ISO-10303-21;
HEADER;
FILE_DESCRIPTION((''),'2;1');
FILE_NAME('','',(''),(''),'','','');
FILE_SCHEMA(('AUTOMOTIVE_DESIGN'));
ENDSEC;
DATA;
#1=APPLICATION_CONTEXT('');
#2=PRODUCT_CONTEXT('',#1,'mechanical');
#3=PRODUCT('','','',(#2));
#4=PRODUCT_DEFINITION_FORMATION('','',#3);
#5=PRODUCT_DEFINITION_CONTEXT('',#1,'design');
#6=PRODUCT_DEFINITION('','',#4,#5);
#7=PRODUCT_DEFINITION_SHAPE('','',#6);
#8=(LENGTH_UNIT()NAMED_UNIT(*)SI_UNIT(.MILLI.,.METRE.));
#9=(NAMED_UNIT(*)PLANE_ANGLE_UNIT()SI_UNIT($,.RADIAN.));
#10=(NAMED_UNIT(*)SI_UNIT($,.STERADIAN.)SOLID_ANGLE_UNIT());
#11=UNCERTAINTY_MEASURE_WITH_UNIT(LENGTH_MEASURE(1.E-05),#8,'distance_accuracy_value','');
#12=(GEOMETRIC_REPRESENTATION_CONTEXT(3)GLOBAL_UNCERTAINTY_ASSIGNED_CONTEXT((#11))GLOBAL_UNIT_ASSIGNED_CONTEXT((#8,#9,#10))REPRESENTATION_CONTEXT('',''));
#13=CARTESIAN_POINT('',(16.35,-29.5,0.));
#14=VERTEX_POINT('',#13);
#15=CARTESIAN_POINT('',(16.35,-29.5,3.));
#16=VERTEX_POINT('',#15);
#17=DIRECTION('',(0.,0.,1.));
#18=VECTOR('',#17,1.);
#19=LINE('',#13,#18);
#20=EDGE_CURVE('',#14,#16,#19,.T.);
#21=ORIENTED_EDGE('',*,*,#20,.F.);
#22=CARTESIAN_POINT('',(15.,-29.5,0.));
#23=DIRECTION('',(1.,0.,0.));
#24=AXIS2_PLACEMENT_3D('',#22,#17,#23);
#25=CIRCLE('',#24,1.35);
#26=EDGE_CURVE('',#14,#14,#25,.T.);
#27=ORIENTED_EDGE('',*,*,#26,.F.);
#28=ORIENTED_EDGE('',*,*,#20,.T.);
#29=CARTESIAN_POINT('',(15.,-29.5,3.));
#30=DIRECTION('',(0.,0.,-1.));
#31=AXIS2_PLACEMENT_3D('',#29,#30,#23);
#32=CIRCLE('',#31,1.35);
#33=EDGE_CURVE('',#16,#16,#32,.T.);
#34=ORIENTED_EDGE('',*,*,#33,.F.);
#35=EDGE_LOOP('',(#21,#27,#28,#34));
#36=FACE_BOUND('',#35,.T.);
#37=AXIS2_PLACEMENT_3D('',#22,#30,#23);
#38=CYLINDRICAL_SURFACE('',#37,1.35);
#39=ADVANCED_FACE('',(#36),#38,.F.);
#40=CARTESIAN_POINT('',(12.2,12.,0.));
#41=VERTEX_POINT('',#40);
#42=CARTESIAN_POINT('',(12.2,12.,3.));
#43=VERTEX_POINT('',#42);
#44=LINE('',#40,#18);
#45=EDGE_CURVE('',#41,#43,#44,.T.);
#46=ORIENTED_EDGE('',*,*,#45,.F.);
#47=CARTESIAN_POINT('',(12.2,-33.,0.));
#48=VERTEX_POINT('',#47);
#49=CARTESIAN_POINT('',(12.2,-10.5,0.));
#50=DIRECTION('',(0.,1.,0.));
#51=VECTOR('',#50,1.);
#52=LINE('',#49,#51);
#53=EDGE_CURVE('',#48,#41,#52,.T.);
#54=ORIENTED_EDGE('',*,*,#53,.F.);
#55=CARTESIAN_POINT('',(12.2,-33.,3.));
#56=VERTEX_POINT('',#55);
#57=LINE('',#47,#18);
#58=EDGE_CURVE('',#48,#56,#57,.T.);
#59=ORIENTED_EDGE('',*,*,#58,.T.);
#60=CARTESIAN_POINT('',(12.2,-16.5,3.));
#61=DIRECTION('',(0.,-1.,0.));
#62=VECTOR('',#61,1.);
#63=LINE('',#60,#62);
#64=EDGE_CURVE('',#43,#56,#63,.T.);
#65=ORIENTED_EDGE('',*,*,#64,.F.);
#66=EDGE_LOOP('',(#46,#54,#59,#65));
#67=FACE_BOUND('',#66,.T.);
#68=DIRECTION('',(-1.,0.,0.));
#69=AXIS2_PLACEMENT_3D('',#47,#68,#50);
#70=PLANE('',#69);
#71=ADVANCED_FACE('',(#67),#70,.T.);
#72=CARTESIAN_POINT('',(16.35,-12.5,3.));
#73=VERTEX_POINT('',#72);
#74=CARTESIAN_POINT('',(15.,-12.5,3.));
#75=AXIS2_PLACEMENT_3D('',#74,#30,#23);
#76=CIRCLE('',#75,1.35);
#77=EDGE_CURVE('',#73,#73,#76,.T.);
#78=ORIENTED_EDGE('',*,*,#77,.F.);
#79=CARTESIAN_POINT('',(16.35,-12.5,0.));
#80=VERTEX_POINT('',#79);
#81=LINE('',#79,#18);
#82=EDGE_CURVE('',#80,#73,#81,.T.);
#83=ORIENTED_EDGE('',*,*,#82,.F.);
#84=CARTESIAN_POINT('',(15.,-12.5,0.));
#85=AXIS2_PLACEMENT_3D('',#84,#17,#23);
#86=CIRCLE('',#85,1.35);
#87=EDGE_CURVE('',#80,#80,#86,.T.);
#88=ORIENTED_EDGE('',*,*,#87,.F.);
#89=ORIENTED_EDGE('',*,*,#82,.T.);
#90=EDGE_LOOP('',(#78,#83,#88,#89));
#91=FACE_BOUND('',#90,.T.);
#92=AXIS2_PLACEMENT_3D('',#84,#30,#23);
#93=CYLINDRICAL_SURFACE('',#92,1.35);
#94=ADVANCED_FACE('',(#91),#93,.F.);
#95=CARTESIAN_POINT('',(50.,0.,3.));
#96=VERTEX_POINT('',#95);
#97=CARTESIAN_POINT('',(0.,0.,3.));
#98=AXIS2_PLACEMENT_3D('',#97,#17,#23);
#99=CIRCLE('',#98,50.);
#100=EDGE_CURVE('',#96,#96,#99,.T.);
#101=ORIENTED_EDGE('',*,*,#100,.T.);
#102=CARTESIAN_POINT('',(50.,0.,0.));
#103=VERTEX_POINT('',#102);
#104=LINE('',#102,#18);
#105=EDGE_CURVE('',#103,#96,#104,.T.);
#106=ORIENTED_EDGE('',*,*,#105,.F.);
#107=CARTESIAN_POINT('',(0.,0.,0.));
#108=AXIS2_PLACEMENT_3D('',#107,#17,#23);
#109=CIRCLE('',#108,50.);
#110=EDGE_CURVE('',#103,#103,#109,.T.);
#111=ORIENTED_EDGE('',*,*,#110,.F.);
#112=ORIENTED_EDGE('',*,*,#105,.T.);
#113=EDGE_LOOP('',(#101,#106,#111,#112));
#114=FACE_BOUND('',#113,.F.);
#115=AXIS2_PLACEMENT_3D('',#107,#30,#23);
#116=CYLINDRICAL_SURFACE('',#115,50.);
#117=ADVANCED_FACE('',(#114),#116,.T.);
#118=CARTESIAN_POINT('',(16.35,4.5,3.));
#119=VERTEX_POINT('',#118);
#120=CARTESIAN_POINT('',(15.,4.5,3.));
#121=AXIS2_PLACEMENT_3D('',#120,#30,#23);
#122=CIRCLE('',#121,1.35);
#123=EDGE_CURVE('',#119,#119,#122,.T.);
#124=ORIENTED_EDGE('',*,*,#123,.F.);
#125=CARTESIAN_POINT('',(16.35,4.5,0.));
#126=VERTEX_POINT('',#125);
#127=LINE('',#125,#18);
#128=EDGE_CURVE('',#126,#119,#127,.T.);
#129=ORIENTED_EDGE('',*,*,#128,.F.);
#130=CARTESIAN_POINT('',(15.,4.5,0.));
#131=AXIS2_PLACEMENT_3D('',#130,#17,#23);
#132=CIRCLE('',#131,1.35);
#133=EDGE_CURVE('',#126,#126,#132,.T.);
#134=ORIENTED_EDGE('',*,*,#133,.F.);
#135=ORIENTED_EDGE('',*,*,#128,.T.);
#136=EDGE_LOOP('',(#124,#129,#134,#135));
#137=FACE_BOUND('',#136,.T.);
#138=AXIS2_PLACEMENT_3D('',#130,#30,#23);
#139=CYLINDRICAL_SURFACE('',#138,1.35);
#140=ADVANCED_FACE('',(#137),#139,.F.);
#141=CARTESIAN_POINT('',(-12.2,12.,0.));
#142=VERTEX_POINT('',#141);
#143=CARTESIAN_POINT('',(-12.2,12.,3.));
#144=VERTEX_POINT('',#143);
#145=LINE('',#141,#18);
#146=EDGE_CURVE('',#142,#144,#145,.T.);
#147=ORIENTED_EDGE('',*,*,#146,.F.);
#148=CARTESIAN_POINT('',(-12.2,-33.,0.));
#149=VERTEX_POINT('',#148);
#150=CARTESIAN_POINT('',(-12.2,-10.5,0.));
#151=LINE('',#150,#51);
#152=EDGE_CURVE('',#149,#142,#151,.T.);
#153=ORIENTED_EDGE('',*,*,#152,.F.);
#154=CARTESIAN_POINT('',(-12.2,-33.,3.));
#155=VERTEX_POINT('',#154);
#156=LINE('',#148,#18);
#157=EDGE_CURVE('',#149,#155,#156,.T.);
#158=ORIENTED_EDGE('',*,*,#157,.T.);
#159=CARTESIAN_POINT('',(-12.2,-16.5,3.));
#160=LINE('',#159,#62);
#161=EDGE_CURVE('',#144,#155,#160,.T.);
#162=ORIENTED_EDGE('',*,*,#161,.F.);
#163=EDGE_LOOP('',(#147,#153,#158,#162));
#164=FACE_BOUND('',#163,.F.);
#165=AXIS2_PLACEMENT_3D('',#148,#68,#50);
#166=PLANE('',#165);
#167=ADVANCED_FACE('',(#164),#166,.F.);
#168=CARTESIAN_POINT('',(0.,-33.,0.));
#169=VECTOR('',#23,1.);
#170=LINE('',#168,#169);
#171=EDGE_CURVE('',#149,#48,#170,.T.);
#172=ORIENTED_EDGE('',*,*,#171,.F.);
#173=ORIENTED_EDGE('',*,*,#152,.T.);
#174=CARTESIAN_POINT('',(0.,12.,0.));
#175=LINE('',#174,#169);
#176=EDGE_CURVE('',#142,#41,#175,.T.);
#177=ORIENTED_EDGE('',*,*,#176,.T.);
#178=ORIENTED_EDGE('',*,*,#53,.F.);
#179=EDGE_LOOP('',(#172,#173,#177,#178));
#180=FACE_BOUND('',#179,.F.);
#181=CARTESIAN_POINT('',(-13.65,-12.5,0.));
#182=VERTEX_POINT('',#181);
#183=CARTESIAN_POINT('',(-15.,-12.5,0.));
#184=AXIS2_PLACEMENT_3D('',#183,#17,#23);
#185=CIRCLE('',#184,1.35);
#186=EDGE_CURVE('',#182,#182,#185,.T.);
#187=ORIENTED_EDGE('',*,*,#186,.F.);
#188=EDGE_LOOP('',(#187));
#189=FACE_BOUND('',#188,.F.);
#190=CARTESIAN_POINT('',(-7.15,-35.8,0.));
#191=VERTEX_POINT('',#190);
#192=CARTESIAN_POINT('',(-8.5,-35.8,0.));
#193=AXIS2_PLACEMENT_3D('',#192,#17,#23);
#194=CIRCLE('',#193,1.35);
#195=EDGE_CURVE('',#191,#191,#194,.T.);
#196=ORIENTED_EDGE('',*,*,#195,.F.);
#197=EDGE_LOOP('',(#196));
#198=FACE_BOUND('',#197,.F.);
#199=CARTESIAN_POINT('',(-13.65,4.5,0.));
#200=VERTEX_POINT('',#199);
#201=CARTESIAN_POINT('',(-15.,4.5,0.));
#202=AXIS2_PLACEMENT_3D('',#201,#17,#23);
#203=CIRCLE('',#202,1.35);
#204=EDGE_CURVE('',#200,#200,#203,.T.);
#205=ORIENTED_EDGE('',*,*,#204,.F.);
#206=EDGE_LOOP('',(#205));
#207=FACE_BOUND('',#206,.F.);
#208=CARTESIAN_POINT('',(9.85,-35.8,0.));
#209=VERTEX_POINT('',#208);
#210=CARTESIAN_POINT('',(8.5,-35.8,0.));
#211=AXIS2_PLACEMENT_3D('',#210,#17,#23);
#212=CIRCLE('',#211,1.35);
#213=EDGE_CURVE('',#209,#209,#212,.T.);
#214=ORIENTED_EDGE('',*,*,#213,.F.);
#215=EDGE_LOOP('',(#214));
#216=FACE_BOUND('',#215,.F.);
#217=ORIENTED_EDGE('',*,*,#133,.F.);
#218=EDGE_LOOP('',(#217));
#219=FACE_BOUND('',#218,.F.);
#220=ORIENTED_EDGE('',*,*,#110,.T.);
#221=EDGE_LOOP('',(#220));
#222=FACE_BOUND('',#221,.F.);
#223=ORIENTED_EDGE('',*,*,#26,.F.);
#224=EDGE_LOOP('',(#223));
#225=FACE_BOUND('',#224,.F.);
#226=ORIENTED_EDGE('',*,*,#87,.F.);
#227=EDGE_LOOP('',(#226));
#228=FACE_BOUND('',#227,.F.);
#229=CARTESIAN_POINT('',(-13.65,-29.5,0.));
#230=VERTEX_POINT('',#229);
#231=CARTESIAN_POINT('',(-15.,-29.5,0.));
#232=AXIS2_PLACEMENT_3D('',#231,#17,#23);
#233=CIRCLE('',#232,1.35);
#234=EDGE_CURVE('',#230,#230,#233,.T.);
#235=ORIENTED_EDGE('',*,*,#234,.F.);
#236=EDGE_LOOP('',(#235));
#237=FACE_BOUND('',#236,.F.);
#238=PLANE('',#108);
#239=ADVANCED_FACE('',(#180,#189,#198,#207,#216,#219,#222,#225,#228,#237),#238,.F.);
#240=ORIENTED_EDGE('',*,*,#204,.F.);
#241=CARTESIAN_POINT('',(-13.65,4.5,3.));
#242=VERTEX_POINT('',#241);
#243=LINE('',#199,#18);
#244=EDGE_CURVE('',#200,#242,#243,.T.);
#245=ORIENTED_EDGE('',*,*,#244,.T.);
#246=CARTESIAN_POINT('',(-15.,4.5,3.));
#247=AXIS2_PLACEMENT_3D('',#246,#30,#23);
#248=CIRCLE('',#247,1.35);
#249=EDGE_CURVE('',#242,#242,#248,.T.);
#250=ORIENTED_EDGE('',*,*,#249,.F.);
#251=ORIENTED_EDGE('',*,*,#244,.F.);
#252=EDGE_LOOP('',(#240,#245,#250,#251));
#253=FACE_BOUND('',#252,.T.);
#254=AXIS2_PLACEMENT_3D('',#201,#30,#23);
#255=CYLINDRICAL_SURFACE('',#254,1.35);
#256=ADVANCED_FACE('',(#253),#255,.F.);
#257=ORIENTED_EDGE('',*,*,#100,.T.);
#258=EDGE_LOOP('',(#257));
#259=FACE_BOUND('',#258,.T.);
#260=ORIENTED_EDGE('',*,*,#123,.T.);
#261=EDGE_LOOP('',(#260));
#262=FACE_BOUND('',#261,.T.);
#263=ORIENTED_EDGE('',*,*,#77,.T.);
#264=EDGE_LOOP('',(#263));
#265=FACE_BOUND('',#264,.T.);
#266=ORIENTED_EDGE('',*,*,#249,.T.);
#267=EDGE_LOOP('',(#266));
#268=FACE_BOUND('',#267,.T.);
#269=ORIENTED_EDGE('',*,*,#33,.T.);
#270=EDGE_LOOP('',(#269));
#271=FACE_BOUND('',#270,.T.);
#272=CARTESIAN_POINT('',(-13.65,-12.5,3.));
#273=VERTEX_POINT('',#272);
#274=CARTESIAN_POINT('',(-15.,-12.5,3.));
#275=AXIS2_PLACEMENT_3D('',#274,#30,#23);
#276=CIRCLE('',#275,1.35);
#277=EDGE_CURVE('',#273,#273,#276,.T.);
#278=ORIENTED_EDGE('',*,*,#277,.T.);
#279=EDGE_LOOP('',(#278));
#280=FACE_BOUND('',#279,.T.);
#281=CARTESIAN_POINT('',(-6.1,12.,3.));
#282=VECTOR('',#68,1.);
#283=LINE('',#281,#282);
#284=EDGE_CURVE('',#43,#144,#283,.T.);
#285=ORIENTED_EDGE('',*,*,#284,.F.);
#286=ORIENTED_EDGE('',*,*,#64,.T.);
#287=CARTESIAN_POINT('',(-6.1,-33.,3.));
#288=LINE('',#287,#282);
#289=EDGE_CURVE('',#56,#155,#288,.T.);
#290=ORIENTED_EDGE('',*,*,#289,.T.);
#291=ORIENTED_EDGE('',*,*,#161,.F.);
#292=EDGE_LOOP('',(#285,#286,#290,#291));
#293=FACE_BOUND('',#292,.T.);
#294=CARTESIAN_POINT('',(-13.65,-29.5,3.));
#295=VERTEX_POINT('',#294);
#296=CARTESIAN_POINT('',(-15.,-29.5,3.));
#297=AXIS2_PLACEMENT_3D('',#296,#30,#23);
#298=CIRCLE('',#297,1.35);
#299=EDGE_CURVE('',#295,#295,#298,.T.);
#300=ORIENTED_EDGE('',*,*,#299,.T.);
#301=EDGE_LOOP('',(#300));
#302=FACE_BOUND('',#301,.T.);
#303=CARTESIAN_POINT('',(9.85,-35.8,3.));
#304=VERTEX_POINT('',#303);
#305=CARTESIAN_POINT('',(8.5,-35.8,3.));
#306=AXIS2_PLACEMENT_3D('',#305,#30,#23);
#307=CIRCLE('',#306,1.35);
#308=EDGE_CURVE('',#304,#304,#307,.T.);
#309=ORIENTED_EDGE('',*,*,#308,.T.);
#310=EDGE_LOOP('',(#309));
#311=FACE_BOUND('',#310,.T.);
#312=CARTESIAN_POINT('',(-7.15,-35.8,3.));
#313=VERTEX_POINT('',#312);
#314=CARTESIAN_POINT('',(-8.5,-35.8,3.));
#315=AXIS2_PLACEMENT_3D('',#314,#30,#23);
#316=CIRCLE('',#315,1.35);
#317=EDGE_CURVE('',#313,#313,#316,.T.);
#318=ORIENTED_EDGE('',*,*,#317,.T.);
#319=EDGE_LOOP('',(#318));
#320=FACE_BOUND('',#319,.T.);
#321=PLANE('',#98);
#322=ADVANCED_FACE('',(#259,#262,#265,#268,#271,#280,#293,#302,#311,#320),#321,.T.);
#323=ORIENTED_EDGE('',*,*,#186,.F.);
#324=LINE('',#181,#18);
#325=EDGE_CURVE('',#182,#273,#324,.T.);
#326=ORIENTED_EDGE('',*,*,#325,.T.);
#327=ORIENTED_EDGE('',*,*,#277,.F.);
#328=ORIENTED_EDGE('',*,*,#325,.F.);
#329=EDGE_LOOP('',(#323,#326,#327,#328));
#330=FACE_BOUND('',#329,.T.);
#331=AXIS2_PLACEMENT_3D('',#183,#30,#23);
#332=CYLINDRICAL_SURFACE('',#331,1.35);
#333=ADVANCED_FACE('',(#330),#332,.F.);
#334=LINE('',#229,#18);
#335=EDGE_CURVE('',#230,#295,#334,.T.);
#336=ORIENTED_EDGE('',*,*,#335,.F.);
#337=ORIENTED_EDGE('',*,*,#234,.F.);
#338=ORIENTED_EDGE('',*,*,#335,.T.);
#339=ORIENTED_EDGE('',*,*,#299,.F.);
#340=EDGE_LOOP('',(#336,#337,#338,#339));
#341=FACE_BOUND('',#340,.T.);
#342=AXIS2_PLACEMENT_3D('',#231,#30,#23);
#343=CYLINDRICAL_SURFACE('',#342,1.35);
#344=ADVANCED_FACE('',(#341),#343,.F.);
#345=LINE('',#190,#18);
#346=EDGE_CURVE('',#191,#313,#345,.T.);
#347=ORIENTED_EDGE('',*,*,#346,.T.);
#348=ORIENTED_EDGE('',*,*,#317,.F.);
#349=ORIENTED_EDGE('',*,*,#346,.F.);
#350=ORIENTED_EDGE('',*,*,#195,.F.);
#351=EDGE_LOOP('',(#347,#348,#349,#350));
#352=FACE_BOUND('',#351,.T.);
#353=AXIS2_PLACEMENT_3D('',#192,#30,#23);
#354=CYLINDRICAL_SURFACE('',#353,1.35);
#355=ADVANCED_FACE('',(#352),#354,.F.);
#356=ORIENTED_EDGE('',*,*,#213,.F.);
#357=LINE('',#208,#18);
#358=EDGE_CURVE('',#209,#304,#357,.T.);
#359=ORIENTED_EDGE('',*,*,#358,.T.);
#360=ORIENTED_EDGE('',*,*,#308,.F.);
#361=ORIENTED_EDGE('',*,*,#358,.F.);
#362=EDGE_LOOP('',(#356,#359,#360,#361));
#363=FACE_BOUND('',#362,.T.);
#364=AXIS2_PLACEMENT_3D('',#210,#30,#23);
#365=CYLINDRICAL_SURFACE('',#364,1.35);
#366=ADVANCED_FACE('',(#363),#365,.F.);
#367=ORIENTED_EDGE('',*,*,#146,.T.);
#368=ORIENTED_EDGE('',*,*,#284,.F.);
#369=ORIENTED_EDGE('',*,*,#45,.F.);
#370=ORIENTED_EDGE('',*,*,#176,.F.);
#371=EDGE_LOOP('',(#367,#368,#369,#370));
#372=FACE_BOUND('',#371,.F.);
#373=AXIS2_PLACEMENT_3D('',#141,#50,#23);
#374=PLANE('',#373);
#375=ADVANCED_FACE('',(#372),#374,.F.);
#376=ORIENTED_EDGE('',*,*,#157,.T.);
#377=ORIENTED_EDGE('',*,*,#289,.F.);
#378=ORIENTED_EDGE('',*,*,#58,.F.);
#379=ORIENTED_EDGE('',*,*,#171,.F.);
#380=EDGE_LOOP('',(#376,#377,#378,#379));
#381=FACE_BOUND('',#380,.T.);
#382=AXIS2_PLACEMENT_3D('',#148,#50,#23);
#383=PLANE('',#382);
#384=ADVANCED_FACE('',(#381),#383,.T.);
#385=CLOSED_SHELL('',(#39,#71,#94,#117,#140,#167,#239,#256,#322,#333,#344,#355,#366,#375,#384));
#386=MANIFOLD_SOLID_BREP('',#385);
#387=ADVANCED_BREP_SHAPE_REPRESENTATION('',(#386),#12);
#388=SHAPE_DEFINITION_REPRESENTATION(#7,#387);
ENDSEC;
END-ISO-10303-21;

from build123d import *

# Parameters (mm, degrees)
F1_R     = 50
F2_DEPTH = 3
F0_W     = 24.4
F0_H     = 45
F0_R     = 1.35
F3_DEPTH = 25


with BuildPart() as f2:
    # F1 (on Top) → F2 (new body)
    with BuildSketch(Plane.XY):
        Circle(F1_R)
    extrude(amount=F2_DEPTH)

    # F0 (on Top) → F3 (cut)
    with BuildSketch(Plane.XY):
        with Locations((0, -10.5)):
            Rectangle(F0_W, F0_H)
        with Locations((-15, 4.5)):
            Circle(F0_R)
        with Locations((-15, -12.5)):
            Circle(F0_R)
        with Locations((-15, -29.5)):
            Circle(F0_R)
        with Locations((15, 4.5)):
            Circle(F0_R)
        with Locations((15, -12.5)):
            Circle(F0_R)
        with Locations((15, -29.5)):
            Circle(F0_R)
        with Locations((-8.5, -35.8)):
            Circle(F0_R)
        with Locations((8.5, -35.8)):
            Circle(F0_R)
    extrude(amount=F3_DEPTH, mode=Mode.SUBTRACT)


solid = f2.part
